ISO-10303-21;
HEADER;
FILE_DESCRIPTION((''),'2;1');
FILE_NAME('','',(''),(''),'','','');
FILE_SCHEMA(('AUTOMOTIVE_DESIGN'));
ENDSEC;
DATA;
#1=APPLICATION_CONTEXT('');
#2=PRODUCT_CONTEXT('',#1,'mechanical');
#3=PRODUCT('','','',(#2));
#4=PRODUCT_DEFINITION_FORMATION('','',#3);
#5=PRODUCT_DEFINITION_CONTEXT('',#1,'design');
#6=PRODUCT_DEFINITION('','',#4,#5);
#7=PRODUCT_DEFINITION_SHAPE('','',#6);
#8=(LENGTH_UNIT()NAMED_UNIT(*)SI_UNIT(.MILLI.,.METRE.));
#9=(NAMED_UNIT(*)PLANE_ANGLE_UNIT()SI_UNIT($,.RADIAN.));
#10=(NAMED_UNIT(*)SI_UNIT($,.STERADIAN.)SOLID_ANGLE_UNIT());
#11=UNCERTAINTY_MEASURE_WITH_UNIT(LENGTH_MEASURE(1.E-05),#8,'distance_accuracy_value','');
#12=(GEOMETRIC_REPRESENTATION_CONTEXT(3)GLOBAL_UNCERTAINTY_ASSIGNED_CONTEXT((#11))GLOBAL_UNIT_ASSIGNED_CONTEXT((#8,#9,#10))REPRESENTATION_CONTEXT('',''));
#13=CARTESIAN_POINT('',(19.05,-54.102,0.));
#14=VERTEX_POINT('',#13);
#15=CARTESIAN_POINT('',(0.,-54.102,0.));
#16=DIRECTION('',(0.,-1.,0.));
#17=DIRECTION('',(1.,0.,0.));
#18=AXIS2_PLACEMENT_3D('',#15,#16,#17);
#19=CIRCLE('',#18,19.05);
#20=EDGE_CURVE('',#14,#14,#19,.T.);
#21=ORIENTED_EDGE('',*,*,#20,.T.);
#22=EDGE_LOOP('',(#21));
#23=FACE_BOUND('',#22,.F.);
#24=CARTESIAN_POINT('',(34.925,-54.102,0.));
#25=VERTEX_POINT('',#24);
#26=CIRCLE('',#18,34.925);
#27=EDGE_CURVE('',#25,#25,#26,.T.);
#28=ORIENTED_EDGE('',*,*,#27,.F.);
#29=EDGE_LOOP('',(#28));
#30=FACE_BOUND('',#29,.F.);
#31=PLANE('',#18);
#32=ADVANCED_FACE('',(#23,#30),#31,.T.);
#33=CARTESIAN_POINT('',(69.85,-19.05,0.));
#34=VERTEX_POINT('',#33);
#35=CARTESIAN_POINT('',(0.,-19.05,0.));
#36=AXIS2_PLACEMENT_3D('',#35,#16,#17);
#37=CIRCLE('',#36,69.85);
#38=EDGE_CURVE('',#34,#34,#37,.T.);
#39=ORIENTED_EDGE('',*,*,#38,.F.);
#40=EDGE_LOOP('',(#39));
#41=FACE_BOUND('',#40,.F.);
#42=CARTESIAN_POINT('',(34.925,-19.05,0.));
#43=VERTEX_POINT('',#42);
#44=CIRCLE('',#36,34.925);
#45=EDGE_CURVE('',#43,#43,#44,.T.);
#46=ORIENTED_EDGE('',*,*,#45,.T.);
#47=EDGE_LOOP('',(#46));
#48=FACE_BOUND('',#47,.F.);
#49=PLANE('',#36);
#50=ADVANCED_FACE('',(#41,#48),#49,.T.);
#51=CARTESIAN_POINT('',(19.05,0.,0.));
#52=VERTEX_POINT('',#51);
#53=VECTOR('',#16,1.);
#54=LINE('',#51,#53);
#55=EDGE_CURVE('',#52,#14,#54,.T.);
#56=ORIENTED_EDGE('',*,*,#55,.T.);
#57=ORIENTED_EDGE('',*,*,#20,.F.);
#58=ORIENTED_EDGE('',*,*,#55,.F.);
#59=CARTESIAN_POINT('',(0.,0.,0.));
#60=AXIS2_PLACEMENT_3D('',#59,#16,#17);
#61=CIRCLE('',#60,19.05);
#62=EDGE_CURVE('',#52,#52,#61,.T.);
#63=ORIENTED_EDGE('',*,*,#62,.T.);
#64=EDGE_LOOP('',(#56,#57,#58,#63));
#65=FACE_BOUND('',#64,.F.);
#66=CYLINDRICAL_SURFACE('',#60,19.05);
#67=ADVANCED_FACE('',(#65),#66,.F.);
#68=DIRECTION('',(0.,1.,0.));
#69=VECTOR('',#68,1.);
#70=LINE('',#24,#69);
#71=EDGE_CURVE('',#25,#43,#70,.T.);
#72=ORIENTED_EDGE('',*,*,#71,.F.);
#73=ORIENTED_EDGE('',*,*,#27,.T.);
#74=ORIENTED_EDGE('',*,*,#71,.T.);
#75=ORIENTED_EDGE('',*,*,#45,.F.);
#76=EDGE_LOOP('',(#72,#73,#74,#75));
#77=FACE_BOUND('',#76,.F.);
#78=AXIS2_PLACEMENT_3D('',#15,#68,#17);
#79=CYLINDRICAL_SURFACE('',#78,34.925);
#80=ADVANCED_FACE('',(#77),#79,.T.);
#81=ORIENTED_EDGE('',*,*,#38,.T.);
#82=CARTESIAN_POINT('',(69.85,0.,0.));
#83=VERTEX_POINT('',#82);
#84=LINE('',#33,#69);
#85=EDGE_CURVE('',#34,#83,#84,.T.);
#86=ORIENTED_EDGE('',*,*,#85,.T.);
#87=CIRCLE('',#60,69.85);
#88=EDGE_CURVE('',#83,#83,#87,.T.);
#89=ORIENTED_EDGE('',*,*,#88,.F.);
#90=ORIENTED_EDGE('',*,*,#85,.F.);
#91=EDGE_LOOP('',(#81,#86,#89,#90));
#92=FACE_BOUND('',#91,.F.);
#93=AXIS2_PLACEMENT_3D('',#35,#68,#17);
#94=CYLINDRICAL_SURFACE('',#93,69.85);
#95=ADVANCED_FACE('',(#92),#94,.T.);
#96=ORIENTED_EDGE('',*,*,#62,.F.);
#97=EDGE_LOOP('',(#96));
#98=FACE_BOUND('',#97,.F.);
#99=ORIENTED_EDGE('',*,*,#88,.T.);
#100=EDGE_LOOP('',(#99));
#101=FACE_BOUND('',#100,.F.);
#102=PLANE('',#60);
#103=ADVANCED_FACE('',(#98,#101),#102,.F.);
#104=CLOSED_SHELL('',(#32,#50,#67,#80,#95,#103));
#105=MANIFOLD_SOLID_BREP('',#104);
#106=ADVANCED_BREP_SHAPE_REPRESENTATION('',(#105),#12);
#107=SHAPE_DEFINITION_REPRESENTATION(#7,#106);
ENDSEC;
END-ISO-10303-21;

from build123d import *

# Parameters (mm, degrees)
F2_R     = 6.35
F3_DEPTH = 25.4


with BuildPart() as f1:
    # F0 (on Top) → F1 (revolve)
    with BuildSketch(Plane.XY):
        Polygon((69.85, 0), (19.05, 0), (19.05, -54.102), (34.925, -54.102), (34.925, -19.05), (69.85, -19.05), align=None)
    revolve(axis=Axis((0, -31.8067, 0), (0, -1, 0)))

    # F2 (on Front) → F3 (cut)
    with BuildSketch(Plane.XZ):
        with Locations((53.975, 0)):
            Circle(F2_R)
    extrude(amount=-F3_DEPTH, mode=Mode.SUBTRACT)


solid = f1.part
